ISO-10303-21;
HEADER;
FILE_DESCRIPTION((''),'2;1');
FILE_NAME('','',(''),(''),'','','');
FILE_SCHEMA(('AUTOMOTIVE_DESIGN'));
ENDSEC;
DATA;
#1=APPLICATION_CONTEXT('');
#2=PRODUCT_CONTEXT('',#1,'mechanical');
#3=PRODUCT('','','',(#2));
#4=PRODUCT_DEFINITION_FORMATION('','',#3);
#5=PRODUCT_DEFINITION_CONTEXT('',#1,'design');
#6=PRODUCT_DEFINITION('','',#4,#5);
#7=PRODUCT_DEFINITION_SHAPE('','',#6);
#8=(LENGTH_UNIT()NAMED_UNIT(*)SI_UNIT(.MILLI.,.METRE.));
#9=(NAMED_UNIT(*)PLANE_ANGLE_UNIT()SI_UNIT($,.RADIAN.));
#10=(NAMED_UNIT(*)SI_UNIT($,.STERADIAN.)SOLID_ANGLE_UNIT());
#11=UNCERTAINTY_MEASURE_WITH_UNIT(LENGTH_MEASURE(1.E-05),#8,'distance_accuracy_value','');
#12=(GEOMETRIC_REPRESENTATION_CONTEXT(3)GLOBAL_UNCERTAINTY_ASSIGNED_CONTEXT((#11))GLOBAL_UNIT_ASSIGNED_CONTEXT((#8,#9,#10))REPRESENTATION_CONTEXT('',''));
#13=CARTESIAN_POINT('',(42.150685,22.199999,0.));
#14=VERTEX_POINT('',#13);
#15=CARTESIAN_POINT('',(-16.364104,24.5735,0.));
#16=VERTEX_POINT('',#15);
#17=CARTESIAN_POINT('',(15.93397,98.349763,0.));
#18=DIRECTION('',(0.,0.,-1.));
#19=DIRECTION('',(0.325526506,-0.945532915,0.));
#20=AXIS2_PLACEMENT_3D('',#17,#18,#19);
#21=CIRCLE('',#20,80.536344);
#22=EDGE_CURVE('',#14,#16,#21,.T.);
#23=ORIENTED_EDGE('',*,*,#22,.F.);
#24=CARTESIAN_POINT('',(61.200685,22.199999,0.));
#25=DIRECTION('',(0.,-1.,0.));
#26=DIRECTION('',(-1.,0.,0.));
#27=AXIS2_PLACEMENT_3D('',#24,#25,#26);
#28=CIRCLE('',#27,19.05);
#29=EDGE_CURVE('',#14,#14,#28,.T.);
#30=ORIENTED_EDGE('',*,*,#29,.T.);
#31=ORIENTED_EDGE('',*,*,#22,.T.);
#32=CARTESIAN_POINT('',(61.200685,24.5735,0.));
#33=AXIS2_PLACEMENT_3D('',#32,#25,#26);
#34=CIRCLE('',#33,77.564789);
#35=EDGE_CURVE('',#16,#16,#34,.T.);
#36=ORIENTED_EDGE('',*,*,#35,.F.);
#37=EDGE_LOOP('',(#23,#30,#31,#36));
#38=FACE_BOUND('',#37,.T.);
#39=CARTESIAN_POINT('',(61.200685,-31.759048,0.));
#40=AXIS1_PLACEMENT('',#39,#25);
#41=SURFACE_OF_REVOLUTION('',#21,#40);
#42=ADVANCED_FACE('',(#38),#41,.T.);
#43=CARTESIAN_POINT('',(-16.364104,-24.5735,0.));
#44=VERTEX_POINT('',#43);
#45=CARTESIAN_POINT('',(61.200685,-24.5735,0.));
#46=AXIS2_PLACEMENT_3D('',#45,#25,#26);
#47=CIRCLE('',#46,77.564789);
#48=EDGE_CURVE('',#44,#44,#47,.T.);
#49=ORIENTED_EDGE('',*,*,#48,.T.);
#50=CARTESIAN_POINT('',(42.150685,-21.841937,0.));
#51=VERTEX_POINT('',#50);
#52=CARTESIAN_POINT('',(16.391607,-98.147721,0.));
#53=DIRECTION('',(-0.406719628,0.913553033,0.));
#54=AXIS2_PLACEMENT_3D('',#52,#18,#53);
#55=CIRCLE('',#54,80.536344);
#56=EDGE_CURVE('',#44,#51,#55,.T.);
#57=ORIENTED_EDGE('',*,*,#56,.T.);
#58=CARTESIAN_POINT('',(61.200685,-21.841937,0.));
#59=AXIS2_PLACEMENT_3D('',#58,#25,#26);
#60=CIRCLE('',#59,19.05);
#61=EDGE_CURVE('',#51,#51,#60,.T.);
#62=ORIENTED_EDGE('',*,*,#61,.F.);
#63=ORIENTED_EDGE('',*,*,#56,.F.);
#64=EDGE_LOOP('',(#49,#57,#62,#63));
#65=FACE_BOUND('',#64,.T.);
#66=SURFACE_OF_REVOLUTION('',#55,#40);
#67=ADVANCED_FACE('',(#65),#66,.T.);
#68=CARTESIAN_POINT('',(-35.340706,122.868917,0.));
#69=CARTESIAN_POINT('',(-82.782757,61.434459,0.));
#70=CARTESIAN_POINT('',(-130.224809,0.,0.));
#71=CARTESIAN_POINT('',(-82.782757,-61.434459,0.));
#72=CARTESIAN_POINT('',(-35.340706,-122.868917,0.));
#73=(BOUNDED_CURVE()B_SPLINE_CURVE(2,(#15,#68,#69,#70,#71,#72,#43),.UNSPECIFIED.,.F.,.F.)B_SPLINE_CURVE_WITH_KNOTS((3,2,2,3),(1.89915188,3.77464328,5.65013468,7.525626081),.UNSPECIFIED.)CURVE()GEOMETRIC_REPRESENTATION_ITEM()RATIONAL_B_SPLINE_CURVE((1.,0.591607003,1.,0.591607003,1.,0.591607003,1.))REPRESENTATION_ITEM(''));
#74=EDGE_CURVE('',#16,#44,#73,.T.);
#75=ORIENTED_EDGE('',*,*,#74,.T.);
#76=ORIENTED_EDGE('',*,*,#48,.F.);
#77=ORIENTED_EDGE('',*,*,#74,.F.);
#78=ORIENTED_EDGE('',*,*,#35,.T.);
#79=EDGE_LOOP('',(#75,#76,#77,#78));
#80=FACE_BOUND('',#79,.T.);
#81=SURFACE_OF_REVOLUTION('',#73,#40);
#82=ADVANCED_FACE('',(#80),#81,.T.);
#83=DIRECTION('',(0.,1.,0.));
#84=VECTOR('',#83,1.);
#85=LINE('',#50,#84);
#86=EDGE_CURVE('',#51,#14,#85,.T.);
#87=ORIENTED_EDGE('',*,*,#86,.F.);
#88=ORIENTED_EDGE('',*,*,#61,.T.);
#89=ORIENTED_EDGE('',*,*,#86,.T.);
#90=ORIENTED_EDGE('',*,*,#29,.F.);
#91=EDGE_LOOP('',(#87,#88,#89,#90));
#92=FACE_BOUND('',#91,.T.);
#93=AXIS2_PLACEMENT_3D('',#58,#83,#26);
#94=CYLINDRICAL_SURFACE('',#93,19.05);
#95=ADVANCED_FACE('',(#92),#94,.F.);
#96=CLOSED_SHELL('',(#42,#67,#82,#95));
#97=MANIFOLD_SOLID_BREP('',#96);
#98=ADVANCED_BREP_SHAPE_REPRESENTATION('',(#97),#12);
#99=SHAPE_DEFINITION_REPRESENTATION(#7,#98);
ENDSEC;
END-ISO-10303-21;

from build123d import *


with BuildPart() as f1:
    # F0 (on Top) → F1 (revolve)
    with BuildSketch(Plane.XY):
        with BuildLine():
            ThreePointArc((42.1506848638, 22.1999993412), (12.6699067034, 17.8795914157), (-16.3641043084, 24.5734998521))
            add(Edge.make_bspline(
                [(-16.3641043084, 24.5734998521), (-35.3407058673, 122.8689171525), (-82.7827572397, 61.4344585763), (-130.2248086121, 0), (-82.7827572397, -61.4344585763), (-35.3407058673, -122.8689171525), (-16.3641043084, -24.5734998521)],
                knots=[1.89915188, 1.89915188, 1.89915188, 3.7746432803, 3.7746432803, 5.6501346805, 5.6501346805, 7.5256260807, 7.5256260807, 7.5256260807], degree=2, weights=[1, 0.591607003, 1, 0.591607003, 1, 0.591607003, 1]))
            ThreePointArc((-16.3641043084, -24.5734998521), (12.6361339364, -17.6989852085), (42.1506848638, -21.8419374637))
            Line((42.1506848638, -21.8419374637), (42.1506848638, 22.1999993412))
        make_face()
    revolve(axis=Axis((61.2006848638, -31.7590479807, 0), (0, -1, 0)))


solid = f1.part
